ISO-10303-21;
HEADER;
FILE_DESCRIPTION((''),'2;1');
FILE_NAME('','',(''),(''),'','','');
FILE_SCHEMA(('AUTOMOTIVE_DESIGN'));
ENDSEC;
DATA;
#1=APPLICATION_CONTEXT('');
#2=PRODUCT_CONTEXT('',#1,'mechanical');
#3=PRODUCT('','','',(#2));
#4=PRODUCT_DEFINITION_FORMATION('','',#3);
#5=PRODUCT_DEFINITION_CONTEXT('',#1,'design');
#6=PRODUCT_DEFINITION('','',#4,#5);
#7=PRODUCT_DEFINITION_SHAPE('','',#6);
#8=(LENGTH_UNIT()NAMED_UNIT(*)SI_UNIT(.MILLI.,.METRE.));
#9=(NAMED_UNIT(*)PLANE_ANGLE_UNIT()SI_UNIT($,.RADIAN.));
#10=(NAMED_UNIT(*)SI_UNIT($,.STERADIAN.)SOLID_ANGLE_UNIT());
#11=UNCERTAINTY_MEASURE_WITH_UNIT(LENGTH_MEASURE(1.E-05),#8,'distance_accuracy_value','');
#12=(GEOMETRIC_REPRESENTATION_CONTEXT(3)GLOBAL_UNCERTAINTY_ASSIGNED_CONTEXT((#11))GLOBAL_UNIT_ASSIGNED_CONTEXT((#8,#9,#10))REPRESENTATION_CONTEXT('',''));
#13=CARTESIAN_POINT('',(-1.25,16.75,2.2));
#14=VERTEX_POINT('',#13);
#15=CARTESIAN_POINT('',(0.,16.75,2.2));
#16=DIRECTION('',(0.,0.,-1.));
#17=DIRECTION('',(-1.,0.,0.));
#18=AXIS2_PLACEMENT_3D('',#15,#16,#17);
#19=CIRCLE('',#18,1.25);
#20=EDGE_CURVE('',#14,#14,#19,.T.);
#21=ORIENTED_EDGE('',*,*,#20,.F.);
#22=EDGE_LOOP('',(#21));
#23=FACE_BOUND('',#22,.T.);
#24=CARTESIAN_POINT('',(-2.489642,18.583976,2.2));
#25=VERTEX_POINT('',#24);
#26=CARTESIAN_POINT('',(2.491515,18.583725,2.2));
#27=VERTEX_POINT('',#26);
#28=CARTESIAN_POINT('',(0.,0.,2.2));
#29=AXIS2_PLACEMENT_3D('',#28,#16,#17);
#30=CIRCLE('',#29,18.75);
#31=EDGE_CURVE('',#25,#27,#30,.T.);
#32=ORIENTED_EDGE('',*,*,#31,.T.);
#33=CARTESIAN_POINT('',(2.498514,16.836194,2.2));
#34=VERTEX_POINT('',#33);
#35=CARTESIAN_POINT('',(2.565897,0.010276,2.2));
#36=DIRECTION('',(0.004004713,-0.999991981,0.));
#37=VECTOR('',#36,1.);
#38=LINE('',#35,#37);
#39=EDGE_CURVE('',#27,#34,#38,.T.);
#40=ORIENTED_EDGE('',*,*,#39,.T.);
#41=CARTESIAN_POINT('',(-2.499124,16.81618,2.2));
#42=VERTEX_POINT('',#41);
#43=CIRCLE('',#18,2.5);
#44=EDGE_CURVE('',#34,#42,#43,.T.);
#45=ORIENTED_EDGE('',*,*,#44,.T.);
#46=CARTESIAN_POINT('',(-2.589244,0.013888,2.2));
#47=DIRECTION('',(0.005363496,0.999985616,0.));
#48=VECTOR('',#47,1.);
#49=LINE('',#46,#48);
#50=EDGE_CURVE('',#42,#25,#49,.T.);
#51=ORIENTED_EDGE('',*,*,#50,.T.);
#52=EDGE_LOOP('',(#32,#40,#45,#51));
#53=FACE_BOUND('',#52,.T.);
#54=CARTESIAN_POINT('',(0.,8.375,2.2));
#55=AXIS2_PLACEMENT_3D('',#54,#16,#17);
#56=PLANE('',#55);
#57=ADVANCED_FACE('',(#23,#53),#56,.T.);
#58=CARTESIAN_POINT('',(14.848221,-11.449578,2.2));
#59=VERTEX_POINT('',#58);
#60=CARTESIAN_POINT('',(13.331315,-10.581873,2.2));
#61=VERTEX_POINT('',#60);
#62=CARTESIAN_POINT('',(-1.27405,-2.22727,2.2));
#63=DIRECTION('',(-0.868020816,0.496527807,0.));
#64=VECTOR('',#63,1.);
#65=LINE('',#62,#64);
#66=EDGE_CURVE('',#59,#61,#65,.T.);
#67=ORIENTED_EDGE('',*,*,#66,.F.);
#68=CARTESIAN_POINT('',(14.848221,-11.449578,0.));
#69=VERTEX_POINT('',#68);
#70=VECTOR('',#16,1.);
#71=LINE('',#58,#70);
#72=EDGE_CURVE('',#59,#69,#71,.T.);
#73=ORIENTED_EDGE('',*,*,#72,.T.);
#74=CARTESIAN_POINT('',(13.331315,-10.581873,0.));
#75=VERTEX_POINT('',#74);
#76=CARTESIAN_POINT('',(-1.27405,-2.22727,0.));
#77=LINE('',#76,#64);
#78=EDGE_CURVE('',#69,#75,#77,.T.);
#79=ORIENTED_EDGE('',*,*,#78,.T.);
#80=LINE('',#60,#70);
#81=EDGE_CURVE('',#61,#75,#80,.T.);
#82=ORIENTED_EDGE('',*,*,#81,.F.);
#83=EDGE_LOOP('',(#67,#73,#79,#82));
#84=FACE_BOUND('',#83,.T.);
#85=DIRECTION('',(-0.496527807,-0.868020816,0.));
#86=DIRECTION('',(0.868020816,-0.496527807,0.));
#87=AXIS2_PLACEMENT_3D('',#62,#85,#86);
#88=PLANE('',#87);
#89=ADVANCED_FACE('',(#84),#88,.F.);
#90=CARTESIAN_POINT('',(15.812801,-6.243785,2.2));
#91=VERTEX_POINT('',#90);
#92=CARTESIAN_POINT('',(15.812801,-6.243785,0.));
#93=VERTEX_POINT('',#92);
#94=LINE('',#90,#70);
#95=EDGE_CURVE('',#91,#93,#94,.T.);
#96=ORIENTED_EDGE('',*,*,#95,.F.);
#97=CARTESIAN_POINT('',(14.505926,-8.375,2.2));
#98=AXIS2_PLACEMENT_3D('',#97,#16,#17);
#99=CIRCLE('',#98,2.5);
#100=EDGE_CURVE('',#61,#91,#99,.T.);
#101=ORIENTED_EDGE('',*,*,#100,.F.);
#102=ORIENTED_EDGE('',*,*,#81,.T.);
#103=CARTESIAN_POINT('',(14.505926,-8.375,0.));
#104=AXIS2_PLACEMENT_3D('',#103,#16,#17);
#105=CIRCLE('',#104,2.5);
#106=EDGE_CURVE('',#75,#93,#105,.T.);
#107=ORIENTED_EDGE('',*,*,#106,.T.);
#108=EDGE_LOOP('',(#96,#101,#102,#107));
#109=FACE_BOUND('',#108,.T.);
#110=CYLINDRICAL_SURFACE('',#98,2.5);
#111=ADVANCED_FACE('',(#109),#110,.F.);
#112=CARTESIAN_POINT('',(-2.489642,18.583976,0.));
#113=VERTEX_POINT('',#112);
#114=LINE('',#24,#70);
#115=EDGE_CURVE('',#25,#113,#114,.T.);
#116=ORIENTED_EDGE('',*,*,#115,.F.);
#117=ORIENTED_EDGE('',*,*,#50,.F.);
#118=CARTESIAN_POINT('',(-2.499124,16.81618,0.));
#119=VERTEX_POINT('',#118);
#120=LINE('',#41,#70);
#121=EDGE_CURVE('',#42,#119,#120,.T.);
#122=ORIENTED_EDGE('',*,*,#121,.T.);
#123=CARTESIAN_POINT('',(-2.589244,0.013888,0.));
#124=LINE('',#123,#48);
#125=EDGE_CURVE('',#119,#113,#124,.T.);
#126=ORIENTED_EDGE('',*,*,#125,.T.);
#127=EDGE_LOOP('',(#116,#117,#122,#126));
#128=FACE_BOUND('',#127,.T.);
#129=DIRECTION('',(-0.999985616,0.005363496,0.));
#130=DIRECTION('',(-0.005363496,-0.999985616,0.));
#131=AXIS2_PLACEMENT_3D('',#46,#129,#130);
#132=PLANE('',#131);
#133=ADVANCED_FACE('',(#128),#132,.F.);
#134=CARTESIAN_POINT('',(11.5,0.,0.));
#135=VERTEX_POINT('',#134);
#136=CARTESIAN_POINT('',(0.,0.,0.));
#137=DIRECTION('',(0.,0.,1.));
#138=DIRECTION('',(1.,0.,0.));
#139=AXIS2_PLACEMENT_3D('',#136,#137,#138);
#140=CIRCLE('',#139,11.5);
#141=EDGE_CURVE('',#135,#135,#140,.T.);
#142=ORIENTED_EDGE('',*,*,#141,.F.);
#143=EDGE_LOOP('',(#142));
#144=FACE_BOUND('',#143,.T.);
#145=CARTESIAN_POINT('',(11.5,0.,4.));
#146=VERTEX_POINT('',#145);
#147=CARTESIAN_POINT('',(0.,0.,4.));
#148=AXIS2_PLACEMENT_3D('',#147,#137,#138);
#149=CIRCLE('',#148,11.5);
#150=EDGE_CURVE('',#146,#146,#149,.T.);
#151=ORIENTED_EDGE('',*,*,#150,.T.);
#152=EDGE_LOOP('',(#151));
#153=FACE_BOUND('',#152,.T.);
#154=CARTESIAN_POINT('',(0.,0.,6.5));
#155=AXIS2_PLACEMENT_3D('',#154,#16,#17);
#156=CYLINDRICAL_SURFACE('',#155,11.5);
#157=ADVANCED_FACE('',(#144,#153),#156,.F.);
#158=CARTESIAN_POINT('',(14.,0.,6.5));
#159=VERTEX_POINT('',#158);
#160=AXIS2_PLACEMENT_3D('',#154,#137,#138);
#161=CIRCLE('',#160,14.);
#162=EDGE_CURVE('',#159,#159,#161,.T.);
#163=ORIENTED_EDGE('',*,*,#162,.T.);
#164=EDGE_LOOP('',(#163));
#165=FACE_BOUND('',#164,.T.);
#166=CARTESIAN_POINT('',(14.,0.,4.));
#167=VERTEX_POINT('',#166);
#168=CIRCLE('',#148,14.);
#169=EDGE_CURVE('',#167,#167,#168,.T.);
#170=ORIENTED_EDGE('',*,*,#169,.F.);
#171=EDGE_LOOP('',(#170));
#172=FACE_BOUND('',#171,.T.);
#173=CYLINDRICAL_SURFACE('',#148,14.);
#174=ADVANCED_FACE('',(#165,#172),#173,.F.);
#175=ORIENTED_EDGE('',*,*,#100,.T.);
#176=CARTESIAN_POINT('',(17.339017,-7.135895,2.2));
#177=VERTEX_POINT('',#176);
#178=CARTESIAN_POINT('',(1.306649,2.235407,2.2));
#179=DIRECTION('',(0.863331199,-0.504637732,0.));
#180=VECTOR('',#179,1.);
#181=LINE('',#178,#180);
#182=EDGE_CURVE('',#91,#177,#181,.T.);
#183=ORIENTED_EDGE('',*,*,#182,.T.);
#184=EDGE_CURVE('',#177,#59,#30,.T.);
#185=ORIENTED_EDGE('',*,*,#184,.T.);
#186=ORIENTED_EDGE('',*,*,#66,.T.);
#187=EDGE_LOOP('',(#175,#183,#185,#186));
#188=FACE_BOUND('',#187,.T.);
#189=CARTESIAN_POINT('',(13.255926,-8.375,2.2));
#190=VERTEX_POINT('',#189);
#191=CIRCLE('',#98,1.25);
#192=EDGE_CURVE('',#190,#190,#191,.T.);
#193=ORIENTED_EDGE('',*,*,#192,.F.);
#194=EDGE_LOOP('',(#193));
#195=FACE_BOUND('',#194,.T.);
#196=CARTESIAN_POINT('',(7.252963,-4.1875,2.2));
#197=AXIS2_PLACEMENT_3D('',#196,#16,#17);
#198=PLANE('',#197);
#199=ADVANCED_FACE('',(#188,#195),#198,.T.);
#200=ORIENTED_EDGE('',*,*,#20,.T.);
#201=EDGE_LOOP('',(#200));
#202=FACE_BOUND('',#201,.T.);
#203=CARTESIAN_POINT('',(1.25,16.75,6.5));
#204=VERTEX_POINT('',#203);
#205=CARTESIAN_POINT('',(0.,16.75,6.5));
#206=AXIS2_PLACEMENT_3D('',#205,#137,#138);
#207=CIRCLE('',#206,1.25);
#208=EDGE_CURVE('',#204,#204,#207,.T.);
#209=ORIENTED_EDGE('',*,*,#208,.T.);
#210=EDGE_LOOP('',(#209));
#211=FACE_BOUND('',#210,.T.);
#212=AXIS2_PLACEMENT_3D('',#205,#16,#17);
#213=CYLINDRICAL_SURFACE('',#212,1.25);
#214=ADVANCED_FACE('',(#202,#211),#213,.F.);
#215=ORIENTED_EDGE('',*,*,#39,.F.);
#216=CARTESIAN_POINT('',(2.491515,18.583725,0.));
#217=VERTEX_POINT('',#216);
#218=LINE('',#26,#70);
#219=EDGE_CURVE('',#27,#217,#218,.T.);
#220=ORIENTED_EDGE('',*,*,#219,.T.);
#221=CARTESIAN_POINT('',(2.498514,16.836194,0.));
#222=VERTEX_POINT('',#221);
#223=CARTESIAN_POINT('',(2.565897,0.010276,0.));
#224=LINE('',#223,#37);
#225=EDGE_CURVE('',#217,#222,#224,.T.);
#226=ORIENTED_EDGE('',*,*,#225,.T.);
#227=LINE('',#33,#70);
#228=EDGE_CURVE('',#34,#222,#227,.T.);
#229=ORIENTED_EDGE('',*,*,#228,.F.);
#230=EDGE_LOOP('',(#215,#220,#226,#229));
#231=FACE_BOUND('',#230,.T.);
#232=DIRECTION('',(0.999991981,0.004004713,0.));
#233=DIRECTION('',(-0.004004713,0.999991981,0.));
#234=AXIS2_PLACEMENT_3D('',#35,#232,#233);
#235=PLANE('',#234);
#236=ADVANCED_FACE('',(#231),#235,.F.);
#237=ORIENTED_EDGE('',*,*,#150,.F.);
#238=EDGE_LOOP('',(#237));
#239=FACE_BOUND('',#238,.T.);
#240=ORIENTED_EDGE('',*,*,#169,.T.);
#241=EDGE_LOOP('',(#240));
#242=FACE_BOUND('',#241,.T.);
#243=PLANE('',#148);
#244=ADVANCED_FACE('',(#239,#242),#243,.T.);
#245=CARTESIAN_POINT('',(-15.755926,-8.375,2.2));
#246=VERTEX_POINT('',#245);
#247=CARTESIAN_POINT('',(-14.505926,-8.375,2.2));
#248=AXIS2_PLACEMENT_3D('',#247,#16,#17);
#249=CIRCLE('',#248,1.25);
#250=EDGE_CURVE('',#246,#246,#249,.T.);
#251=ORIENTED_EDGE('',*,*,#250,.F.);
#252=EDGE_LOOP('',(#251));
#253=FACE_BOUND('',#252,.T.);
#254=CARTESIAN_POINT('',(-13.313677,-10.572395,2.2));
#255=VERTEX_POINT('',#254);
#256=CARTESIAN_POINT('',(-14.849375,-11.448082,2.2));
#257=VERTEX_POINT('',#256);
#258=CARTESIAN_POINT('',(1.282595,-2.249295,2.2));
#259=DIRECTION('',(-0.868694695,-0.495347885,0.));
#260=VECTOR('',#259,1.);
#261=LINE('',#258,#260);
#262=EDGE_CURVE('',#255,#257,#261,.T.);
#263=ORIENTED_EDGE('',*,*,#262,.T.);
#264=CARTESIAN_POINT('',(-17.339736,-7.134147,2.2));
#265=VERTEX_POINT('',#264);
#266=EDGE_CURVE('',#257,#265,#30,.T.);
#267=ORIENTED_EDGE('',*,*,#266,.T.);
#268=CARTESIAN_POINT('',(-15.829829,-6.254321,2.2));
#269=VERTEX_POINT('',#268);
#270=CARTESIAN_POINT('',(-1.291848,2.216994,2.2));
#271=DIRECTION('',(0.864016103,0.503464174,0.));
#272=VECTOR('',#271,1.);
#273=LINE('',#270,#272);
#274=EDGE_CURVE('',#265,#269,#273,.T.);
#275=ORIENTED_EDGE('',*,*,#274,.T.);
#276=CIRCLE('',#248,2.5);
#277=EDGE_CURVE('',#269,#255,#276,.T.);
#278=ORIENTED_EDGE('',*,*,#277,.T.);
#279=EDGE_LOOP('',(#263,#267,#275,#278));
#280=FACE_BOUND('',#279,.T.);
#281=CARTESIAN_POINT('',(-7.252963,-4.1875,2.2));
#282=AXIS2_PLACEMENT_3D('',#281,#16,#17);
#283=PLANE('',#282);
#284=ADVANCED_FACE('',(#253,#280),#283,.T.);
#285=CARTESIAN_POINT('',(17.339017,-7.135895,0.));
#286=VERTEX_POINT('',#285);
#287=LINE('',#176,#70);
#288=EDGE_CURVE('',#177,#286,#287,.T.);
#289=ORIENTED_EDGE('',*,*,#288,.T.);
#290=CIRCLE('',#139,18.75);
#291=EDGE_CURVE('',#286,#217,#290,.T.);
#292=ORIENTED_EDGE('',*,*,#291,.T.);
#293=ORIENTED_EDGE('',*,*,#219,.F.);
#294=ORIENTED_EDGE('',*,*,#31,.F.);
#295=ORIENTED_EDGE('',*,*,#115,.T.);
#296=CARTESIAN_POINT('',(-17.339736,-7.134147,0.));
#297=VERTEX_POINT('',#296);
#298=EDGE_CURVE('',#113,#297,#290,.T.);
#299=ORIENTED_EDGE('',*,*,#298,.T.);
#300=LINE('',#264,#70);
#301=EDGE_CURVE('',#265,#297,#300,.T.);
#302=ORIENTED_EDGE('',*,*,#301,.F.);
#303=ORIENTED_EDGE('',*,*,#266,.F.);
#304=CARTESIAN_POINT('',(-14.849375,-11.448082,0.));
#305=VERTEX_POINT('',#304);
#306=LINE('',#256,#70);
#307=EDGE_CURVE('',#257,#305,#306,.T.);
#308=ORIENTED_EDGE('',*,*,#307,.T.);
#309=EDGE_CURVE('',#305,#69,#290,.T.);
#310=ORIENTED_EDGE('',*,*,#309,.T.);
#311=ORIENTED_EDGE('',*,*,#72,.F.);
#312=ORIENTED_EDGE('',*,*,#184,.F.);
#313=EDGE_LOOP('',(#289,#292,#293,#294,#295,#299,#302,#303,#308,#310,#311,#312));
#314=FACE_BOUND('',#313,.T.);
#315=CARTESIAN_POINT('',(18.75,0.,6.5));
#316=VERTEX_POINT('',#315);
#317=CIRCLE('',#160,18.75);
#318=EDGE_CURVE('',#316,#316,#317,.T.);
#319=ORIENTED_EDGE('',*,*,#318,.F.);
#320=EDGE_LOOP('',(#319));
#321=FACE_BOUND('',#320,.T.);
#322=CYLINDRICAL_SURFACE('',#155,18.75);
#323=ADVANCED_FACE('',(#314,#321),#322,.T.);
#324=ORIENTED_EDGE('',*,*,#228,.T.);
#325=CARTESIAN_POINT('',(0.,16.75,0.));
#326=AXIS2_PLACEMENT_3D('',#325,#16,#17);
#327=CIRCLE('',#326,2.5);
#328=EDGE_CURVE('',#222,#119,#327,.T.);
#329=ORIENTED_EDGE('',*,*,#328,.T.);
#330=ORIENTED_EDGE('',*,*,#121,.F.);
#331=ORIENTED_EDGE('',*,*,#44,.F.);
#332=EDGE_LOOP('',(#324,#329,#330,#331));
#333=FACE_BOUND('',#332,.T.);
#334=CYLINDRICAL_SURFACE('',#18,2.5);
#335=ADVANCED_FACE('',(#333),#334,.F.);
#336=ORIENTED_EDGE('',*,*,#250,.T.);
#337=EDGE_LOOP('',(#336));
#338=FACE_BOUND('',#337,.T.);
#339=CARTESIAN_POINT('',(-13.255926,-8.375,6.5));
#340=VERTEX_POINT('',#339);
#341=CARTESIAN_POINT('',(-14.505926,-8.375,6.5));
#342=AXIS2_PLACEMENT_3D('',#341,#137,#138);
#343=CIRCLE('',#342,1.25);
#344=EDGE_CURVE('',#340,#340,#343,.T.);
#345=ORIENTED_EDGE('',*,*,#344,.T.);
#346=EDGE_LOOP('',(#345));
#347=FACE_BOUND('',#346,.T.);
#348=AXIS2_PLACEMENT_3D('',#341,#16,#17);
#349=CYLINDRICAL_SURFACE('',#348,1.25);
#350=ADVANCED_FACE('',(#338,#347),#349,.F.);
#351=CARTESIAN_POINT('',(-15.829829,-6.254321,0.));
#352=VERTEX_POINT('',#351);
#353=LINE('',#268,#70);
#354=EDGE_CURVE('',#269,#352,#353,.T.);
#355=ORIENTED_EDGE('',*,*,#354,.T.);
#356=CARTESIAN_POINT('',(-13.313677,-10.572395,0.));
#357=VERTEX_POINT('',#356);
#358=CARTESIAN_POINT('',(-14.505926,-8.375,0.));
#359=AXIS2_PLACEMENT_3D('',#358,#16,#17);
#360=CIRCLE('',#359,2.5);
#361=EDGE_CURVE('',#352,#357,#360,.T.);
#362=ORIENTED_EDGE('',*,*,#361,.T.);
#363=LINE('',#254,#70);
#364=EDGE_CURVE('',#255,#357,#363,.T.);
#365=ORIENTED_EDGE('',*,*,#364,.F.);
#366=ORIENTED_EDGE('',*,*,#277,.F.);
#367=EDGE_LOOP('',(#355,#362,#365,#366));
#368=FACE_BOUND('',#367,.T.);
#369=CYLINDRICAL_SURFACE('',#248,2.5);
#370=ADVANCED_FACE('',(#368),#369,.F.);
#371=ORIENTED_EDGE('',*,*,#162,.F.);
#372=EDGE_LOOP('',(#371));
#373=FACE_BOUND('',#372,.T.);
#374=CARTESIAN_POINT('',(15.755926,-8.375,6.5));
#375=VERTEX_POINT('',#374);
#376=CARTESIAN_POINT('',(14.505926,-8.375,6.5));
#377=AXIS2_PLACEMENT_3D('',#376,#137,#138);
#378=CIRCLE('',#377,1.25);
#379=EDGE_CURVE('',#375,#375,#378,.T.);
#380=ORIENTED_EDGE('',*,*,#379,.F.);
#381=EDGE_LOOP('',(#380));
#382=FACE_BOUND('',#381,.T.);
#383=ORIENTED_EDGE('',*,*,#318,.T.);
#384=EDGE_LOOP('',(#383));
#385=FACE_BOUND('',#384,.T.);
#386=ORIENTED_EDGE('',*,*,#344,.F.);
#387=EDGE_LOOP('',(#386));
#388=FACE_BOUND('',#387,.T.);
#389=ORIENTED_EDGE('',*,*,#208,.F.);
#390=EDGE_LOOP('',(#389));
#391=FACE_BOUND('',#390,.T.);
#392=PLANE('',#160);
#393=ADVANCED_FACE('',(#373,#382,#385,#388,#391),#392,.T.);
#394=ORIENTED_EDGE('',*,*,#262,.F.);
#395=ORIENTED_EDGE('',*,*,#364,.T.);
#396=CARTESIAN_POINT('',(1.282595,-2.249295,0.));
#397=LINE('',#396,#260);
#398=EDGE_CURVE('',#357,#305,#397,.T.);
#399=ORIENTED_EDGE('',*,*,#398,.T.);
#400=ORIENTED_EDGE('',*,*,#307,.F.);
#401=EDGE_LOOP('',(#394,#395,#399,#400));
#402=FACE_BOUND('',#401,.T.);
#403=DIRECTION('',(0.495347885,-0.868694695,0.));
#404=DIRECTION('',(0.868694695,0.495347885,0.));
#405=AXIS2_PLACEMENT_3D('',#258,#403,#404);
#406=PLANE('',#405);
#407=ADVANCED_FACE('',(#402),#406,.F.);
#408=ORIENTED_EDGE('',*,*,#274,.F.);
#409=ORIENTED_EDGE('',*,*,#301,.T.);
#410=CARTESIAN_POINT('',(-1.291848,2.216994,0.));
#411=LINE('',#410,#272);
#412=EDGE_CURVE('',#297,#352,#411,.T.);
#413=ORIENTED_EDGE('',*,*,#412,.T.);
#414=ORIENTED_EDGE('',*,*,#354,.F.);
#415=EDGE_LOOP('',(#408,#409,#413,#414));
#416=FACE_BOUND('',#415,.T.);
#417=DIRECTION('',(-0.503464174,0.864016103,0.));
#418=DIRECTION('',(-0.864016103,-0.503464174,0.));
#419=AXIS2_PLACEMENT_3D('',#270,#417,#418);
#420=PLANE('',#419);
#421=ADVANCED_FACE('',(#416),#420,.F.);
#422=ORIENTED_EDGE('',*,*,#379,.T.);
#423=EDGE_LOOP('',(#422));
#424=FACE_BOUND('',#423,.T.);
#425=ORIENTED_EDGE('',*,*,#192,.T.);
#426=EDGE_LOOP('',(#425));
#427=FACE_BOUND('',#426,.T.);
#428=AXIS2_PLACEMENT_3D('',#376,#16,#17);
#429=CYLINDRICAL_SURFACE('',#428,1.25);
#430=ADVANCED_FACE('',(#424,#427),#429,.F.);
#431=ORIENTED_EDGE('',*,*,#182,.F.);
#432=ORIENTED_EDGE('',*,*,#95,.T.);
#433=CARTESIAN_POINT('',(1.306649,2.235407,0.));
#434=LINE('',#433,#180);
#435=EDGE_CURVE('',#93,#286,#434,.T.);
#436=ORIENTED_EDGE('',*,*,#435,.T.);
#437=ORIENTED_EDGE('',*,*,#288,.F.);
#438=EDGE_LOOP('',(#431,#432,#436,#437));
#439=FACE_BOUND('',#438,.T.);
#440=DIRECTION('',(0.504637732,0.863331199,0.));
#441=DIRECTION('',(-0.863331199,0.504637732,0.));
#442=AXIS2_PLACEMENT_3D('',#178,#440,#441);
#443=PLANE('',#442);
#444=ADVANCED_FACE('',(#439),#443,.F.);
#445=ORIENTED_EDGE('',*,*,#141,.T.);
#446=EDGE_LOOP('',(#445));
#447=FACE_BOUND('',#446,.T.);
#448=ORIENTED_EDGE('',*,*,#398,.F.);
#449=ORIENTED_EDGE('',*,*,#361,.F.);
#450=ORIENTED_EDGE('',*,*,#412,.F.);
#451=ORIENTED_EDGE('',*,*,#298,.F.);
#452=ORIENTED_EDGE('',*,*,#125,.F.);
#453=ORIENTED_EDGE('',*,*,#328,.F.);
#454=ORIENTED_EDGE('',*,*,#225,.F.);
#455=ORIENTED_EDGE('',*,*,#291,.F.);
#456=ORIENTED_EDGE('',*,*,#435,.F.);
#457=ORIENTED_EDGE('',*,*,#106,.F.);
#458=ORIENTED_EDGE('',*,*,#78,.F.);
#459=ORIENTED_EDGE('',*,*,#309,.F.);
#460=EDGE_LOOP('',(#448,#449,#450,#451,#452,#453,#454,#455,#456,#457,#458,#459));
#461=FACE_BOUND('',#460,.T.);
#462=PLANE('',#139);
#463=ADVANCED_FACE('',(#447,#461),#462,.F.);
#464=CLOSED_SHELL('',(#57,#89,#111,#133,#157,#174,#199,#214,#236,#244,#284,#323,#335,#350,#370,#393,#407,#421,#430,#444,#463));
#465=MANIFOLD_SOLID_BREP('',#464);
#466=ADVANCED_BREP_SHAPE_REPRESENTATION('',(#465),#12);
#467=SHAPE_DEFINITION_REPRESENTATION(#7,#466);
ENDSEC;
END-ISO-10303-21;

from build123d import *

# Parameters (mm, degrees)
SKETCH_1_R          = 18.75
SKETCH_1_R_2        = 11.5
SKETCH_1_R_3        = 1.25
EXTRUDE_1_DEPTH     = 6.5
SKETCH_2_R          = 14
CUT_EXTRUDE_1_DEPTH = 2.5
CUT_EXTRUDE_2_DEPTH = 2.2
CUT_EXTRUDE_3_DEPTH = 2.2


with BuildPart() as part:
    # 草图1 → 凸台-拉伸1 (new body)
    with BuildSketch(Plane.XY):
        Circle(SKETCH_1_R)
        Circle(SKETCH_1_R_2, mode=Mode.SUBTRACT)
        with Locations((0, 16.75)):
            Circle(SKETCH_1_R_3, mode=Mode.SUBTRACT)
        with Locations((-14.505925513, -8.375)):
            Circle(SKETCH_1_R_3, mode=Mode.SUBTRACT)
        with Locations((14.505925513, -8.375)):
            Circle(SKETCH_1_R_3, mode=Mode.SUBTRACT)
    extrude(amount=EXTRUDE_1_DEPTH)

    # 草图2 → 切除-拉伸1 (cut)
    with BuildSketch(Plane.XY.offset(6.5)):
        Circle(SKETCH_2_R)
    extrude(amount=-CUT_EXTRUDE_1_DEPTH, mode=Mode.SUBTRACT)

    # 草图3 → 切除-拉伸2 (cut)
    with BuildSketch(Plane(origin=(0, 0, 0), x_dir=(-1, 0, 0), z_dir=(0, 0, -1))):
        with BuildLine():
            ThreePointArc((16.972613326, -7.968243025), (12.340862004, -7.125), (15.387007546, -10.714592796))
            ThreePointArc((15.387007546, -10.714592796), (16.237976321, -9.375), (16.972613326, -7.968243025))
        make_face()
        with BuildLine():
            ThreePointArc((-15.387007546, -10.714592796), (-12.340862004, -7.125), (-16.972613326, -7.968243025))
            ThreePointArc((-16.972613326, -7.968243025), (-16.237976321, -9.375), (-15.387007546, -10.714592796))
        make_face()
        with BuildLine():
            ThreePointArc((-1.58560578, 18.682835821), (0, 14.25), (1.58560578, 18.682835821))
            ThreePointArc((1.58560578, 18.682835821), (0, 18.75), (-1.58560578, 18.682835821))
        make_face()
    extrude(amount=-CUT_EXTRUDE_2_DEPTH, mode=Mode.SUBTRACT)

    # 草图4 → 切除-拉伸3 (cut)
    with BuildSketch(Plane(origin=(0, 0, 0), x_dir=(-1, 0, 0), z_dir=(0, 0, -1))):
        with BuildLine():
            Line((-14.815508707, -11.430866213), (-13.331315009, -10.581873391))
            ThreePointArc((-13.331315009, -10.581873391), (-14.344856115, -10.869805934), (-15.387007546, -10.714592796))
            ThreePointArc((-15.387007546, -10.714592796), (-15.122080143, -11.08535936), (-14.848220713, -11.449578231))
            Line((-14.848220713, -11.449578231), (-14.815508707, -11.430866213))
        make_face()
        with BuildLine():
            Line((-15.812800928, -6.24378517), (-17.28904082, -7.10668269))
            Line((-17.28904082, -7.10668269), (-17.339016827, -7.135894861))
            ThreePointArc((-17.339016827, -7.135894861), (-17.16086221, -7.554290715), (-16.972613326, -7.968243025))
            ThreePointArc((-16.972613326, -7.968243025), (-16.580385342, -6.979788038), (-15.812800928, -6.24378517))
        make_face()
        with BuildLine():
            Line((13.313677037, -10.572394724), (14.799088157, -11.419407212))
            Line((14.799088157, -11.419407212), (14.849374642, -11.448081618))
            ThreePointArc((14.849374642, -11.448081618), (15.122638772, -11.084597268), (15.387007546, -10.714592796))
            ThreePointArc((15.387007546, -10.714592796), (14.334866424, -10.869140892), (13.313677037, -10.572394724))
        make_face()
        with BuildLine():
            Line((17.339735967, -7.134147223), (17.307174882, -7.115173804))
            Line((17.307174882, -7.115173804), (15.829828681, -6.254320768))
            ThreePointArc((15.829828681, -6.254320768), (16.585956131, -6.988106842), (16.972613326, -7.968243025))
            ThreePointArc((16.972613326, -7.968243025), (17.161242887, -7.553425882), (17.339735967, -7.134147223))
        make_face()
        with BuildLine():
            Line((-2.491515254, 18.583725454), (-2.491666175, 18.546040017))
            Line((-2.491666175, 18.546040017), (-2.498513672, 16.836194159))
            ThreePointArc((-2.498513672, 16.836194159), (-2.241100016, 17.857912776), (-1.58560578, 18.682835821))
            ThreePointArc((-1.58560578, 18.682835821), (-2.039162744, 18.638785242), (-2.491515254, 18.583725454))
        make_face()
        with BuildLine():
            ThreePointArc((1.58560578, 18.682835821), (2.245518917, 17.848928929), (2.499123891, 16.816179894))
            Line((2.499123891, 16.816179894), (2.489952664, 18.526089903))
            Line((2.489952664, 18.526089903), (2.489642185, 18.58397648))
            ThreePointArc((2.489642185, 18.58397648), (2.038223439, 18.638887982), (1.58560578, 18.682835821))
        make_face()
    extrude(amount=-CUT_EXTRUDE_3_DEPTH, mode=Mode.SUBTRACT)


solid = part.part
